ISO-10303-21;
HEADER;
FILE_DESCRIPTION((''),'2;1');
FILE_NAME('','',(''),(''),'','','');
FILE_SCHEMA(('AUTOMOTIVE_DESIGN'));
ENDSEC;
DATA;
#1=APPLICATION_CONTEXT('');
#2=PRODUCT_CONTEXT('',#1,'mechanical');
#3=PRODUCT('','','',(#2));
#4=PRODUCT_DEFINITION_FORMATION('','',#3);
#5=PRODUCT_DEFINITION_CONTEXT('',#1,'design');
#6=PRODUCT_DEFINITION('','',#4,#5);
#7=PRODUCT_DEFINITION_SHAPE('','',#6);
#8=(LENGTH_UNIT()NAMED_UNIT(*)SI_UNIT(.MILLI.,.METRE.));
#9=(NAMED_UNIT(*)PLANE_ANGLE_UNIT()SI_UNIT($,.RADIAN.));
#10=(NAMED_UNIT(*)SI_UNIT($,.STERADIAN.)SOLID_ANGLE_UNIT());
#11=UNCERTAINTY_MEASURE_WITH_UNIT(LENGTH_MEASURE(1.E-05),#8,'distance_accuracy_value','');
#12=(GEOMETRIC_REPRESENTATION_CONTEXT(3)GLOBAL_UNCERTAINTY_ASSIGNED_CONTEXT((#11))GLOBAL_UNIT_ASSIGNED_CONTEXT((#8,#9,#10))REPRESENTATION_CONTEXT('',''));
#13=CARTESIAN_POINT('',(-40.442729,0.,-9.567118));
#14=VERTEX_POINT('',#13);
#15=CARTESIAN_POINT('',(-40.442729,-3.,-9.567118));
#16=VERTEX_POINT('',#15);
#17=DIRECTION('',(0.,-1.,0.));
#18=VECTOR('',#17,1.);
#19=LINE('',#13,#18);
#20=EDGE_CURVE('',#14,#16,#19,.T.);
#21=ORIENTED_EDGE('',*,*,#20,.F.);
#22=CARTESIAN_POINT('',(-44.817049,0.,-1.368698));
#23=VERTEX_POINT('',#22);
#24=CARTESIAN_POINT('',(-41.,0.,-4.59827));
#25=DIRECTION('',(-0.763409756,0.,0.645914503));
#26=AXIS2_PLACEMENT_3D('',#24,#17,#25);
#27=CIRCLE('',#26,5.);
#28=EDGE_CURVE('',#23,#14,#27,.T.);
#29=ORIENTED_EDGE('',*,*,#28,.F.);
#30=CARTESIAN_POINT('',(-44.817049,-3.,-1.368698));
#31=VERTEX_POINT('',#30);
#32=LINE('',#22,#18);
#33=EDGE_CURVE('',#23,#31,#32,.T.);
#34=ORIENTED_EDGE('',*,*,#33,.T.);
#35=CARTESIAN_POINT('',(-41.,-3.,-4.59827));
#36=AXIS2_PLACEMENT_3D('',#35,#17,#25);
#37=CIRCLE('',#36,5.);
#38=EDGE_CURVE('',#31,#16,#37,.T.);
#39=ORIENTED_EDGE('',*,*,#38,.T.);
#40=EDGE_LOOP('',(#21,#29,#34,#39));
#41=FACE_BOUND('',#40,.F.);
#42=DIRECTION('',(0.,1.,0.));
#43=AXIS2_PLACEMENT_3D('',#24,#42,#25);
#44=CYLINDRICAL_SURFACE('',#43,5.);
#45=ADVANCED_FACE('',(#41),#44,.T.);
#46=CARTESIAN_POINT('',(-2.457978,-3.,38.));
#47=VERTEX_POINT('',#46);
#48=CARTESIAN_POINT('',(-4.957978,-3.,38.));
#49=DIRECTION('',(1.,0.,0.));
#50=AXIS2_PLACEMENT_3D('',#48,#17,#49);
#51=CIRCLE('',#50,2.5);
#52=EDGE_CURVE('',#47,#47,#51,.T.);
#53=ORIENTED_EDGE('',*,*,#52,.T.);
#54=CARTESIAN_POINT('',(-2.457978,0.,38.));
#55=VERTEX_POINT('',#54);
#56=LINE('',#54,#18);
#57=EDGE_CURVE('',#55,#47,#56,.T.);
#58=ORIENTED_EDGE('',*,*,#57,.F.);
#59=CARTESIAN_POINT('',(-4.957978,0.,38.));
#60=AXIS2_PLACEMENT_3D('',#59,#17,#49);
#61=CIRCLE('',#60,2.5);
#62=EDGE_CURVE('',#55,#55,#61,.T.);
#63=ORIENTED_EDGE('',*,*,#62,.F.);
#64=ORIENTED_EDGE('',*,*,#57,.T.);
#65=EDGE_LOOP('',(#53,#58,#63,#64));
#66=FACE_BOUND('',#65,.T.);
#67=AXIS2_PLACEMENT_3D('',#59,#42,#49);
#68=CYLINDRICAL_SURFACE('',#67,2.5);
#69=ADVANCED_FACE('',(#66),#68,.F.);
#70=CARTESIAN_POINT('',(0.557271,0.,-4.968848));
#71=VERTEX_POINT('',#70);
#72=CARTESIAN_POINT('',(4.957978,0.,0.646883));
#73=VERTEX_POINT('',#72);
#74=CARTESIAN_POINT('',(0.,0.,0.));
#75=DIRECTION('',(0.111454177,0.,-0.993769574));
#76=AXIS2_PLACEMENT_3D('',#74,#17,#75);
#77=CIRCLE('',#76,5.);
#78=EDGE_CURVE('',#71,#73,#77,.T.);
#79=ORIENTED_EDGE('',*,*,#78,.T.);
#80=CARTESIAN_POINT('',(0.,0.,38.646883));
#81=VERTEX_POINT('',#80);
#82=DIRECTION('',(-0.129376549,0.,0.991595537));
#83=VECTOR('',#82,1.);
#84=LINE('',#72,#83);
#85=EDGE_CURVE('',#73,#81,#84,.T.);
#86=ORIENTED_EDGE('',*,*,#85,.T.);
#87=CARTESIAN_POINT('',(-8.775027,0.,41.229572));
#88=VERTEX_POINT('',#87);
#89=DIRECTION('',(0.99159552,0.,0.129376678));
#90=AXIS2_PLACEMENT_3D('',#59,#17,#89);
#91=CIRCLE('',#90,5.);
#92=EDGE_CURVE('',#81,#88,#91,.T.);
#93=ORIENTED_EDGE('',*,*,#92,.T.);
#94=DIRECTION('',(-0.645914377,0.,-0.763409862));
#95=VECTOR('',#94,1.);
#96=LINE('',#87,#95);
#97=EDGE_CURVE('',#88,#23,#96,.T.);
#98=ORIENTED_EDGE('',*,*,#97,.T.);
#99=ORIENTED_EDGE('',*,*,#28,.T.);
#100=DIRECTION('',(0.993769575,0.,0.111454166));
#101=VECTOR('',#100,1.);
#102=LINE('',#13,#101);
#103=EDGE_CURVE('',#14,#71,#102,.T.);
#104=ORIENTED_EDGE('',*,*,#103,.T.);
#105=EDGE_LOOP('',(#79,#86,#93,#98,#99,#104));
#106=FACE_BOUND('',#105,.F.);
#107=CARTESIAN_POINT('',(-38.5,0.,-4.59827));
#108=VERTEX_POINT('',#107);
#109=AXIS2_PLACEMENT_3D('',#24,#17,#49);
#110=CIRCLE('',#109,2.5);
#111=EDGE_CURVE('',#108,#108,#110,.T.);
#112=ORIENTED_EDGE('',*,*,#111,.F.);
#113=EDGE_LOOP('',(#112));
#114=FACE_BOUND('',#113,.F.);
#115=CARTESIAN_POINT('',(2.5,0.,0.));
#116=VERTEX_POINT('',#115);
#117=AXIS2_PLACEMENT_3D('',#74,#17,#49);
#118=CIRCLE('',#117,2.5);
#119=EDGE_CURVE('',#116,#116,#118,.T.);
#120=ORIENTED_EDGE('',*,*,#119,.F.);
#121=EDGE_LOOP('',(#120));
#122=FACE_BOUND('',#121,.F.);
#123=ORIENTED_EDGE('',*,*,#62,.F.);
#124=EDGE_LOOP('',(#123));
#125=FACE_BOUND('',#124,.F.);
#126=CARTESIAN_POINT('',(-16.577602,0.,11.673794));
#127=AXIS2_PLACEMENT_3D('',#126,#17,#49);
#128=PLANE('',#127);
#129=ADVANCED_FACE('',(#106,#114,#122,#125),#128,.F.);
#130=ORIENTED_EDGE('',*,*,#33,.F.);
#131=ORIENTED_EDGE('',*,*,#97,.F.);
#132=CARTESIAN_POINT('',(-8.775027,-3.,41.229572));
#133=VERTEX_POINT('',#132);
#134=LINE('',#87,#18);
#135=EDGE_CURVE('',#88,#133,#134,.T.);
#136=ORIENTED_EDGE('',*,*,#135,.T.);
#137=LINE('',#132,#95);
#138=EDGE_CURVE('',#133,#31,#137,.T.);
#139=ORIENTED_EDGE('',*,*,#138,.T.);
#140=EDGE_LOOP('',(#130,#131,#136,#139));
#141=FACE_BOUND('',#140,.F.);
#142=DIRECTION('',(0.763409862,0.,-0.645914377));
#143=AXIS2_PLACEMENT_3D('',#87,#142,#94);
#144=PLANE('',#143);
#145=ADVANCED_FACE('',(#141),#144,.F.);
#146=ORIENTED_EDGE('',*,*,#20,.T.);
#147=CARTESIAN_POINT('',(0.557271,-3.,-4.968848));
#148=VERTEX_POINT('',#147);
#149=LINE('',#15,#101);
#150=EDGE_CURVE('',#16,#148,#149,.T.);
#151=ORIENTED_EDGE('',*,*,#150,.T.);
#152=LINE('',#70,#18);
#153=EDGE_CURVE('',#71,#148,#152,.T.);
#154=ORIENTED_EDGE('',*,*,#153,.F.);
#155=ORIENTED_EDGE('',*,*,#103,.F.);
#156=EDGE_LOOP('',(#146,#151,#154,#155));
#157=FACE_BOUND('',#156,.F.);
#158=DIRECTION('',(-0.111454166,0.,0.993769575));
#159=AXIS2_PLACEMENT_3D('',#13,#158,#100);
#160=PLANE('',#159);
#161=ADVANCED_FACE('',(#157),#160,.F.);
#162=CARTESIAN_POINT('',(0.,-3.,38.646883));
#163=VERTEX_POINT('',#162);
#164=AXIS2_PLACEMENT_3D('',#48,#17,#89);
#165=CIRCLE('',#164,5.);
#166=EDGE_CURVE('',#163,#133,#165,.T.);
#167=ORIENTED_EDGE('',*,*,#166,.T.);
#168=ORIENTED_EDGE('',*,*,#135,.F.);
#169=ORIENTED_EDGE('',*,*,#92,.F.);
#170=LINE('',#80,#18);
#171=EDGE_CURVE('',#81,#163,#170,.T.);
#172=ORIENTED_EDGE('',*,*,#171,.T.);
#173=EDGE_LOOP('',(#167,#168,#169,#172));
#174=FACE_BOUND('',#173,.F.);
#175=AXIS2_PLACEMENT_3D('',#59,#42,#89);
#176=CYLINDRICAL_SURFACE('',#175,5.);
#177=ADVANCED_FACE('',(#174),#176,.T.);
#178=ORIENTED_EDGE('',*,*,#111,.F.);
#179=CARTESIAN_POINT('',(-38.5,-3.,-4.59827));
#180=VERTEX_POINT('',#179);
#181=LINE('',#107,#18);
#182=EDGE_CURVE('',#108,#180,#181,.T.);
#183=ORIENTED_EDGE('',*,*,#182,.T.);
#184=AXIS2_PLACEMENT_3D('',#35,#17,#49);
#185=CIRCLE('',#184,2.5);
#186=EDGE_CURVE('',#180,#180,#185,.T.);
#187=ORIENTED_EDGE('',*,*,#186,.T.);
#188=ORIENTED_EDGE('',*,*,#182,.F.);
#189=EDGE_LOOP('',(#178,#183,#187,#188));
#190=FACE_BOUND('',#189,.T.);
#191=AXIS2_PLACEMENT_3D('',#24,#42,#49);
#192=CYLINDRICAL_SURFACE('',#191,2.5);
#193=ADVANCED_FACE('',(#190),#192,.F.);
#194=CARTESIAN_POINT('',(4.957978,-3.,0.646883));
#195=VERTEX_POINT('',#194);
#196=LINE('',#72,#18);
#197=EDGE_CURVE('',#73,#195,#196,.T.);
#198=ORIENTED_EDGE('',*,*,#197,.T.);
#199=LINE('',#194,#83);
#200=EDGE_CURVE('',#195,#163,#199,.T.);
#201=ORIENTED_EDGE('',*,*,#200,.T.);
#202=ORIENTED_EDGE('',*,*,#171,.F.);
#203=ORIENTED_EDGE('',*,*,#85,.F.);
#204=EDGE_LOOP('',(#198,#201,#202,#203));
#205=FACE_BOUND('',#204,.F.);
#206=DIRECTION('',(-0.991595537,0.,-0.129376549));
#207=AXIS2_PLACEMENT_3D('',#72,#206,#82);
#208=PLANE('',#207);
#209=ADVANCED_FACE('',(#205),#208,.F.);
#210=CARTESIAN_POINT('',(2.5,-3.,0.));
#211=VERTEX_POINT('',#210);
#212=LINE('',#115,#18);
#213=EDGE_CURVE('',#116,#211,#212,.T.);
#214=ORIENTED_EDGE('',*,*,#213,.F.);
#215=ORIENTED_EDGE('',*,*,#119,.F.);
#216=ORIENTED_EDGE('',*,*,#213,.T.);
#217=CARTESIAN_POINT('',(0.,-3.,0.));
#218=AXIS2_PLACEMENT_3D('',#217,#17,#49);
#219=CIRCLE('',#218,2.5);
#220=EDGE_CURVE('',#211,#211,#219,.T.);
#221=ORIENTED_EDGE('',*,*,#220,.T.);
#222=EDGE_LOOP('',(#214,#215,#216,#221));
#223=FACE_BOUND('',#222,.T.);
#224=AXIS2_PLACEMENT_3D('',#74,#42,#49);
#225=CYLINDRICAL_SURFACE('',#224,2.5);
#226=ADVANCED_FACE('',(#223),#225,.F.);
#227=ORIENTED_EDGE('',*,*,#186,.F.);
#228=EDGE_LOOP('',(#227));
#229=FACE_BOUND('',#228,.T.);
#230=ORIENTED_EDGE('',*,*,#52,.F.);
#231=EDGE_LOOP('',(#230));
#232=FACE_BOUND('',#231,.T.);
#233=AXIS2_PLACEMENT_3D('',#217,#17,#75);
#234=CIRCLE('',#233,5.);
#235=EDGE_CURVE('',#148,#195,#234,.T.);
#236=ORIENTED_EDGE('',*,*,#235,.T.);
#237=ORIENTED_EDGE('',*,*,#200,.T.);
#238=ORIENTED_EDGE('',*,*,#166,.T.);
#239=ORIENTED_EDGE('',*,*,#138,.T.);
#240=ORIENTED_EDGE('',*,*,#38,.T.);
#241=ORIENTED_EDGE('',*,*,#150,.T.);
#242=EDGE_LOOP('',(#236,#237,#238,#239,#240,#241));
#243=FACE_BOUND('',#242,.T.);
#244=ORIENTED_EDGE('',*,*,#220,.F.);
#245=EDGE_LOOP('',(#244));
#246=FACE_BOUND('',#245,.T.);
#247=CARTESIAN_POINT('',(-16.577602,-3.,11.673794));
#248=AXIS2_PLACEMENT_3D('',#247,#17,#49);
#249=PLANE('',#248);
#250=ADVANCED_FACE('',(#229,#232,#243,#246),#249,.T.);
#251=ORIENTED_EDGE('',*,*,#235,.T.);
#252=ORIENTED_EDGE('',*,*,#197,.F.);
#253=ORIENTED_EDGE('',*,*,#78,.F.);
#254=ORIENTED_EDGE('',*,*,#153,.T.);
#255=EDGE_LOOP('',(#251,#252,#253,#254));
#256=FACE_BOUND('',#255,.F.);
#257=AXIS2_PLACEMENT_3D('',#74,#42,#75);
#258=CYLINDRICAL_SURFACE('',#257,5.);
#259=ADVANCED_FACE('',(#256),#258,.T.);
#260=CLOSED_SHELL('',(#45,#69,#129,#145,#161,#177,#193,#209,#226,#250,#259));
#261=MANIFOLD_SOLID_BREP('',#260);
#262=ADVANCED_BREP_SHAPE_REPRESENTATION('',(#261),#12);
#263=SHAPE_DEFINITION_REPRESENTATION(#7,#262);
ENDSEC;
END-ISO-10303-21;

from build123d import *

# Parameters (mm, degrees)
F0_R     = 2.5
F1_DEPTH = 3


with BuildPart() as f1:
    # F0 (on Front) → F1 (new body)
    with BuildSketch(Plane.XZ):
        with BuildLine():
            ThreePointArc((0.557271, -4.968848), (3.935556, -3.084056), (4.957978, 0.646883))
            Line((4.957978, 0.646883), (0, 38.646883))
            ThreePointArc((0, 38.646883), (-3.546241, 42.796561), (-8.775027, 41.229572))
            Line((-8.775027, 41.229572), (-44.817049, -1.368698))
            ThreePointArc((-44.817049, -1.368698), (-45.411356, -6.951978), (-40.442729, -9.567118))
            Line((-40.442729, -9.567118), (0.557271, -4.968848))
        make_face()
        with Locations((-41, -4.59827)):
            Circle(F0_R, mode=Mode.SUBTRACT)
        Circle(F0_R, mode=Mode.SUBTRACT)
        with Locations((-4.957978, 38)):
            Circle(F0_R, mode=Mode.SUBTRACT)
    extrude(amount=F1_DEPTH)


solid = f1.part
